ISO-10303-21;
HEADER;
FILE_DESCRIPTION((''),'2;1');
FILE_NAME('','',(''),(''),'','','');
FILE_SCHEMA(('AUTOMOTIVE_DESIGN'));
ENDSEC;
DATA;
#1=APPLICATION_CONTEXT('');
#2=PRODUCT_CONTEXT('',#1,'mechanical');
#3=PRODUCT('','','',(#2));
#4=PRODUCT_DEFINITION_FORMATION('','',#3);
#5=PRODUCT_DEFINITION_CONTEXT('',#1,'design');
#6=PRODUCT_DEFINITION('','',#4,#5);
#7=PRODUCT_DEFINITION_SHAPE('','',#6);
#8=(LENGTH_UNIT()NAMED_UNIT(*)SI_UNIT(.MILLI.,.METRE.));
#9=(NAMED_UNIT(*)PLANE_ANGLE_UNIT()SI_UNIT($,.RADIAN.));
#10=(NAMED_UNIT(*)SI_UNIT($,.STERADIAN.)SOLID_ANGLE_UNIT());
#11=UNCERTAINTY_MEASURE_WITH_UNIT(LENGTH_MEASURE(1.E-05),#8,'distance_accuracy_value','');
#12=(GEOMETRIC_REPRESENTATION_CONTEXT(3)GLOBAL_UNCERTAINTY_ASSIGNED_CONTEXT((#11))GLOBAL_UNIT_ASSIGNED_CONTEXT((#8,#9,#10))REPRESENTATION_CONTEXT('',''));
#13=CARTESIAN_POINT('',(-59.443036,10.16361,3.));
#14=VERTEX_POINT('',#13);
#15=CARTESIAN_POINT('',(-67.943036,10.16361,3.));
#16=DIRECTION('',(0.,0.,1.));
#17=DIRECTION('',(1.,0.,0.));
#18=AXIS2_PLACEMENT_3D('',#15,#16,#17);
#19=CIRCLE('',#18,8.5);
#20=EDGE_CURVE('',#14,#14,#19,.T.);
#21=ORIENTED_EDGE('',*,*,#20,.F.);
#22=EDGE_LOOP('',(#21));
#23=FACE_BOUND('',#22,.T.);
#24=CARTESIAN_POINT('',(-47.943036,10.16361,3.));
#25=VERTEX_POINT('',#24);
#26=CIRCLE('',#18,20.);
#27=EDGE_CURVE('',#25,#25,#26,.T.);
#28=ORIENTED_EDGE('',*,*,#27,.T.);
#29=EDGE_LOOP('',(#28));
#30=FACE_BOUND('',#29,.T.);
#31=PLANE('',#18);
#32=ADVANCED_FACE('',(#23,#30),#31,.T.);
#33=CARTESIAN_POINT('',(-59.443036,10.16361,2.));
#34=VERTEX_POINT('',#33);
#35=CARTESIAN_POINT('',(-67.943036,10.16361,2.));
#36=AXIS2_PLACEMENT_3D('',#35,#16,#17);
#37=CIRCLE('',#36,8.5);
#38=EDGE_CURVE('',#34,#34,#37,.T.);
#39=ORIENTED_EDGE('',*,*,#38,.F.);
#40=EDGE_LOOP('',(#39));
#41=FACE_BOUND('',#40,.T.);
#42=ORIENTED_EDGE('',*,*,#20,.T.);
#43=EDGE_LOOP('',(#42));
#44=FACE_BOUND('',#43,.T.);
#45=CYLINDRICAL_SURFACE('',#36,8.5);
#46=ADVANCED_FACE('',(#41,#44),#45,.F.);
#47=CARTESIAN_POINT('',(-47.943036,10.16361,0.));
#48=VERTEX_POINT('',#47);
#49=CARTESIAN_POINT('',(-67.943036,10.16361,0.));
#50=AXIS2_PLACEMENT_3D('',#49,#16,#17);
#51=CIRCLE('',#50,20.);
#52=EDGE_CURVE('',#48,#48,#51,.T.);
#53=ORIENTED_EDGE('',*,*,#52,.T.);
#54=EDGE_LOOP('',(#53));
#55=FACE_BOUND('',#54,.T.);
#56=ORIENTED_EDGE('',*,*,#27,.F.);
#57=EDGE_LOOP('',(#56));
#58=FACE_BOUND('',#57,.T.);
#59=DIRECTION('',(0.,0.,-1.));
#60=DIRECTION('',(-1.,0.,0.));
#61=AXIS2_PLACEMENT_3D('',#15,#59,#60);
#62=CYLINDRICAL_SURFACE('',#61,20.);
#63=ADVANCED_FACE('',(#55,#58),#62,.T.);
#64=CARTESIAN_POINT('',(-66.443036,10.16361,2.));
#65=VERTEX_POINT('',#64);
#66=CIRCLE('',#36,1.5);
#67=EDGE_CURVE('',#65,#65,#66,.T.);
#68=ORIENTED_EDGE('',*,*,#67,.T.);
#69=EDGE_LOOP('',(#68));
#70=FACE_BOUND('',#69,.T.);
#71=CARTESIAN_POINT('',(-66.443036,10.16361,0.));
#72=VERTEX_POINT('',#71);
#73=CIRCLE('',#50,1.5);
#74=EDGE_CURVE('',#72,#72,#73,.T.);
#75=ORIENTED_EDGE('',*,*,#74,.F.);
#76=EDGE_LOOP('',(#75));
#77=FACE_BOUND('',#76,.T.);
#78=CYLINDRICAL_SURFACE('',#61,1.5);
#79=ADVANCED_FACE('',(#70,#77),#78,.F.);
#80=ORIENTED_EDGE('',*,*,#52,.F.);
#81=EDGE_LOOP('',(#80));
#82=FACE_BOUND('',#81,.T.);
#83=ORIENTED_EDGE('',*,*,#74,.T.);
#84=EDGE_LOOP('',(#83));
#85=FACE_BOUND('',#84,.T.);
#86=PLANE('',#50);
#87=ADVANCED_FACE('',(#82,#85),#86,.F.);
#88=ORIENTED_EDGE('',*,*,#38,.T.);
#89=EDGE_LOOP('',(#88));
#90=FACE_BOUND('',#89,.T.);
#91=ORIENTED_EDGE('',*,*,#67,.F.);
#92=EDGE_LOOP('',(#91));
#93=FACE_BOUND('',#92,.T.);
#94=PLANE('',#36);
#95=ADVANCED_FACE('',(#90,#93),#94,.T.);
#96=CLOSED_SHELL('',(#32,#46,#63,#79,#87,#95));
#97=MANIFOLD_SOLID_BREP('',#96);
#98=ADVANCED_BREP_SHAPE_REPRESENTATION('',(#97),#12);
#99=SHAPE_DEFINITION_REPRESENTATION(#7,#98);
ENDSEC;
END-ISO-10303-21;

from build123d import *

# Parameters (mm, degrees)
CROQUIS1_R              = 20
CROQUIS1_R_2            = 1.5
SALIENTE_EXTRUIR1_DEPTH = 3
CROQUIS2_R              = 8.5
CORTAR_EXTRUIR1_DEPTH   = 1


with BuildPart() as part:
    # Croquis1 → Saliente-Extruir1 (new body)
    with BuildSketch(Plane.XY):
        with Locations((-67.943036217, 10.163609926)):
            Circle(CROQUIS1_R)
        with Locations((-67.943036217, 10.163609926)):
            Circle(CROQUIS1_R_2, mode=Mode.SUBTRACT)
    extrude(amount=SALIENTE_EXTRUIR1_DEPTH)

    # Croquis2 → Cortar-Extruir1 (cut)
    with BuildSketch(Plane.XY.offset(3)):
        with Locations((-67.943036217, 10.163609926)):
            Circle(CROQUIS2_R)
    extrude(amount=-CORTAR_EXTRUIR1_DEPTH, mode=Mode.SUBTRACT)


solid = part.part
